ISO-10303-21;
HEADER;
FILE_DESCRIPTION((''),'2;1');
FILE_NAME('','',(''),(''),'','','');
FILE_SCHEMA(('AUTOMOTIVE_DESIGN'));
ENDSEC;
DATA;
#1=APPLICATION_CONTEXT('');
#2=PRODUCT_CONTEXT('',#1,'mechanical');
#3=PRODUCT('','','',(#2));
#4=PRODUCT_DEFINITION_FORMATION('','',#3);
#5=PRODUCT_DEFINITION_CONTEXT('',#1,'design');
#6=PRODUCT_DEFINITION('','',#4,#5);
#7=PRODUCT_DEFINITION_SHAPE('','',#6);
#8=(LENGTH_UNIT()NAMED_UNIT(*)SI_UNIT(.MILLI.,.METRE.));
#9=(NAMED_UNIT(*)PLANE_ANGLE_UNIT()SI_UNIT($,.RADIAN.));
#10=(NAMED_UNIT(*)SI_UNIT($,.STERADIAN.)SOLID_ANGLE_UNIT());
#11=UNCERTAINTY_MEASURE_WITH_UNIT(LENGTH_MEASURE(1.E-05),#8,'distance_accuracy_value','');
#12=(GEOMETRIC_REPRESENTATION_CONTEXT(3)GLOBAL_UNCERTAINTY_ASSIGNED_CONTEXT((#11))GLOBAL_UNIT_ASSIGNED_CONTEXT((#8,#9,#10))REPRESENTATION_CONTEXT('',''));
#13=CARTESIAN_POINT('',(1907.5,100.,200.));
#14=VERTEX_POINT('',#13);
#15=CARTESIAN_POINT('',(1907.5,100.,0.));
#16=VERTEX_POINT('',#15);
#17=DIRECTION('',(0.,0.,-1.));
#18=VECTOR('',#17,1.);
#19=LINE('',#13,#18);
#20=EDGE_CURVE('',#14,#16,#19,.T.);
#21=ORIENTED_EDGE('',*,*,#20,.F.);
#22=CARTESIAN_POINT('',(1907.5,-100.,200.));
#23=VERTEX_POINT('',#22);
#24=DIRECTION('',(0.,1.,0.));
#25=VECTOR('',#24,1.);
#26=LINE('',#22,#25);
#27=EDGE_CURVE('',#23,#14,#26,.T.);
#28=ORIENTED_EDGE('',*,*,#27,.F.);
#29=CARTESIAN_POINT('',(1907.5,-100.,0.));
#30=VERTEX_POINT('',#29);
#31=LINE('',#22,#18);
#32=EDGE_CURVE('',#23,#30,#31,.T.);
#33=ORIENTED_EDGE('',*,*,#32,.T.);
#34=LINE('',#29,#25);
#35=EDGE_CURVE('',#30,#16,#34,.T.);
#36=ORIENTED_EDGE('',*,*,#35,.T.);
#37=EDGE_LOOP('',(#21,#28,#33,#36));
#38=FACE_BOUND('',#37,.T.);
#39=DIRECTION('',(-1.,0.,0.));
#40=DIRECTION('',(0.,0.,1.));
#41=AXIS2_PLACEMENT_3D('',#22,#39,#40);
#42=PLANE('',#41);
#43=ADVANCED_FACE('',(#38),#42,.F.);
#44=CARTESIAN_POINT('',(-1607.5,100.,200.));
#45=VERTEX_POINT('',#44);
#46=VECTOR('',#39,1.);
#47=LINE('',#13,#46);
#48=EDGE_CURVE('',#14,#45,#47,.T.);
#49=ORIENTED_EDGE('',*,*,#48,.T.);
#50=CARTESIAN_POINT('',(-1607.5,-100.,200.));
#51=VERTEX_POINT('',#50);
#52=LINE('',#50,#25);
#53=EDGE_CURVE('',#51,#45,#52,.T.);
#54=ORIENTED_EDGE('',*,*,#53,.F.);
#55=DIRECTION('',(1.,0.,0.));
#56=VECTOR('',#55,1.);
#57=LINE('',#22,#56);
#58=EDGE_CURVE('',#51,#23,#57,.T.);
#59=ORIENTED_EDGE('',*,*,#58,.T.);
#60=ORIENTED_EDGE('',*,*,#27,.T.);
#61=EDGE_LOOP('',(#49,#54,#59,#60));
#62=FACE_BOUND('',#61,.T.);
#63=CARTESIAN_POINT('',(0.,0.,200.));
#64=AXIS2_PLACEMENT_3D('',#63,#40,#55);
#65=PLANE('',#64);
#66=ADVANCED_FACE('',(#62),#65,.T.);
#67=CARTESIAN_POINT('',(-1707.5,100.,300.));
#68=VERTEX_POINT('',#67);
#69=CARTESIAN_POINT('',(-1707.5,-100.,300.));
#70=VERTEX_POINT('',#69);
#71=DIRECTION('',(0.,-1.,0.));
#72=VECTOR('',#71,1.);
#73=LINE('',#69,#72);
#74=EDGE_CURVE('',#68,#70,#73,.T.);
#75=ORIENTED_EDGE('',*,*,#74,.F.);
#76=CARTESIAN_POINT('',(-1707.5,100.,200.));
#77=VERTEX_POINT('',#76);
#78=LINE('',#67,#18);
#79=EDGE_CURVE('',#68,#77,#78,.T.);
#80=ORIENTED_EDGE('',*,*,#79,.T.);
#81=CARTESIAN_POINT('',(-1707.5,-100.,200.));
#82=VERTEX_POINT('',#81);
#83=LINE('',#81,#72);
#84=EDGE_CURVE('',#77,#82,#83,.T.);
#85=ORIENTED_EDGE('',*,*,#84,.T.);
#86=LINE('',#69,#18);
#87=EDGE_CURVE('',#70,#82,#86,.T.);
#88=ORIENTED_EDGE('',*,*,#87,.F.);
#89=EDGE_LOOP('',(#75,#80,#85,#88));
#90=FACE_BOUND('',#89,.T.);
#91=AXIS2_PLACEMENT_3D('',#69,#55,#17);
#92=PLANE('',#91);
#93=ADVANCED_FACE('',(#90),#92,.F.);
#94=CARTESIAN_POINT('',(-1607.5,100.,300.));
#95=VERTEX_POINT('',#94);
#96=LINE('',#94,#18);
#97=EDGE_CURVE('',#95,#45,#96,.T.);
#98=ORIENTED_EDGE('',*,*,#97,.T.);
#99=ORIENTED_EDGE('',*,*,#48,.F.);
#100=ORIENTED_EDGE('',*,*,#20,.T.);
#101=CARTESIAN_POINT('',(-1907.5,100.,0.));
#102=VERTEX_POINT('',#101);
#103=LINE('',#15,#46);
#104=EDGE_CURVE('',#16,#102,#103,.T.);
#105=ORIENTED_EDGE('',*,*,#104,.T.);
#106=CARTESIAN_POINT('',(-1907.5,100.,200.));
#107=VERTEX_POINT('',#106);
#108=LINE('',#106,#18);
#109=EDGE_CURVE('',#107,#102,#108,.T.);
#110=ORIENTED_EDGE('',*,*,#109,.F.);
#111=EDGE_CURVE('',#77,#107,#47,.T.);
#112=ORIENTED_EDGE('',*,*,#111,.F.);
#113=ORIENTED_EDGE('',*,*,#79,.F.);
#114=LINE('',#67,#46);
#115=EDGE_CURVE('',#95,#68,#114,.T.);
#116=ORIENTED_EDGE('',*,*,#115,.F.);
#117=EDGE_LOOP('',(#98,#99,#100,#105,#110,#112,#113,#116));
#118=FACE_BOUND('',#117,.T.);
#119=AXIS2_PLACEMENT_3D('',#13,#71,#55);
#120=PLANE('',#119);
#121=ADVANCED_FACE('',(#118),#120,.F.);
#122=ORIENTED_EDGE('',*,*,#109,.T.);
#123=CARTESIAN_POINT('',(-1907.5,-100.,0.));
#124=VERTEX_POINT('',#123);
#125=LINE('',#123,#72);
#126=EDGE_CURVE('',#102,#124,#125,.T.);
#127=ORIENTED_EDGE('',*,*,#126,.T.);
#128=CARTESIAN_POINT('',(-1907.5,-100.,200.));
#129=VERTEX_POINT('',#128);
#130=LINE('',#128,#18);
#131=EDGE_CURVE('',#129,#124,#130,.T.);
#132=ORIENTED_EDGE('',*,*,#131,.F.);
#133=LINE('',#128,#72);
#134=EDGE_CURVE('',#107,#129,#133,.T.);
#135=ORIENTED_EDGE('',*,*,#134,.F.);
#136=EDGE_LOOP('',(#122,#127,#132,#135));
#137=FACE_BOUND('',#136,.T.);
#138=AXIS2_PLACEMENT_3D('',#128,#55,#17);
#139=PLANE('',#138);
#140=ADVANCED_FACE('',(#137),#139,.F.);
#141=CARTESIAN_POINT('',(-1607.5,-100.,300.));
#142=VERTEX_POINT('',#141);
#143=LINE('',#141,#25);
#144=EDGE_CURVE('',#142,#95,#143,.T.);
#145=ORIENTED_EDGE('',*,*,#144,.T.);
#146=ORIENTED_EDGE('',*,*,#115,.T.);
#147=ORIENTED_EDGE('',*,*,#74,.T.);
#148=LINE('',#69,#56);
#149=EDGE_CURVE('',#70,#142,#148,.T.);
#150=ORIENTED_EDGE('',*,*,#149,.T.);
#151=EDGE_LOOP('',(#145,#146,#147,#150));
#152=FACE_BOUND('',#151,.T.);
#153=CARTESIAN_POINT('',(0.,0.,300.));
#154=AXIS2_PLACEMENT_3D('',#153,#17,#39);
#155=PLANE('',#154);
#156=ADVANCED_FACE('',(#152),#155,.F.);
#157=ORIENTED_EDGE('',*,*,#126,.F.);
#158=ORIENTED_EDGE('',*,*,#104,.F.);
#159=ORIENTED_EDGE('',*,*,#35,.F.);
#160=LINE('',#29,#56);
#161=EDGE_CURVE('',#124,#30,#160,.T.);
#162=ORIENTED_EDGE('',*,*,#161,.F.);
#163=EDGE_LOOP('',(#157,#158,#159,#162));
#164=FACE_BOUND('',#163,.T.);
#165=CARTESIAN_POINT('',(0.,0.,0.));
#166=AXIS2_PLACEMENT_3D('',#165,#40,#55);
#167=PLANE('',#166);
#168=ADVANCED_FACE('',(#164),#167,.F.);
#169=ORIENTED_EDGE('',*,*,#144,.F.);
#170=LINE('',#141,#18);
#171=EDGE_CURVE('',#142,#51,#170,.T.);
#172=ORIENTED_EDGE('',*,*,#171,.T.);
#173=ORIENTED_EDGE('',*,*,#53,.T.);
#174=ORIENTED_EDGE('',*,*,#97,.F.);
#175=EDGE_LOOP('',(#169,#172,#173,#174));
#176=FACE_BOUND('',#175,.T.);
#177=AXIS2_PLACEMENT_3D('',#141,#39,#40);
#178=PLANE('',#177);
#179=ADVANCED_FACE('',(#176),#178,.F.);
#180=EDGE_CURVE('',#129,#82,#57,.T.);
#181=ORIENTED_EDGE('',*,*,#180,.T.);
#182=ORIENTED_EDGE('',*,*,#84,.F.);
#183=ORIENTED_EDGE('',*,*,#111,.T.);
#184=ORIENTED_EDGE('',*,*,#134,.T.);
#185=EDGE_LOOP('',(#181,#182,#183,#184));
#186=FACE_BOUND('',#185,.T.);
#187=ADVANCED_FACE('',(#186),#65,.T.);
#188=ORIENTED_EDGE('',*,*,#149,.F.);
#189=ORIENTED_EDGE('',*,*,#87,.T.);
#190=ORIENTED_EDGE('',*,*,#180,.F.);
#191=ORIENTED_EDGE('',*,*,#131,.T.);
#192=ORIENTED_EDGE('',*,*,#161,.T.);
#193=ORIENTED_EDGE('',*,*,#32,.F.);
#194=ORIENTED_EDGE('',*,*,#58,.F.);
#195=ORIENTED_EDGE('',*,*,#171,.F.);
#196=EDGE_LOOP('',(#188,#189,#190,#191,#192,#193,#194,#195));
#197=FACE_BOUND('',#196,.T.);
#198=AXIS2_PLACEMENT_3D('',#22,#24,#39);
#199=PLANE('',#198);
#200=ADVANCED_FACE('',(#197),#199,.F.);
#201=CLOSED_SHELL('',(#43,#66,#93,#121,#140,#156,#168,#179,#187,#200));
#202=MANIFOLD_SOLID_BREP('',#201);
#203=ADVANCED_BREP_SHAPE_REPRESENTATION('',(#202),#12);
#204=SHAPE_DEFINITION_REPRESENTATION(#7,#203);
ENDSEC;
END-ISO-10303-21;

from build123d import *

# Parameters (mm, degrees)
CROQUIS1_W              = 3815
CROQUIS1_H              = 200
SALIENTE_EXTRUIR1_DEPTH = 200
CROQUIS3_W              = 100
CROQUIS3_H              = 200
SALIENTE_EXTRUIR6_DEPTH = 100


with BuildPart() as part:
    # Croquis1 → Saliente-Extruir1 (new body)
    with BuildSketch(Plane.XY):
        Rectangle(CROQUIS1_W, CROQUIS1_H)
    extrude(amount=SALIENTE_EXTRUIR1_DEPTH)

    # Croquis3 → Saliente-Extruir6 (add)
    with BuildSketch(Plane.XY.offset(200)):
        with Locations((-1657.5, 0)):
            Rectangle(CROQUIS3_W, CROQUIS3_H)
    extrude(amount=SALIENTE_EXTRUIR6_DEPTH)


solid = part.part
